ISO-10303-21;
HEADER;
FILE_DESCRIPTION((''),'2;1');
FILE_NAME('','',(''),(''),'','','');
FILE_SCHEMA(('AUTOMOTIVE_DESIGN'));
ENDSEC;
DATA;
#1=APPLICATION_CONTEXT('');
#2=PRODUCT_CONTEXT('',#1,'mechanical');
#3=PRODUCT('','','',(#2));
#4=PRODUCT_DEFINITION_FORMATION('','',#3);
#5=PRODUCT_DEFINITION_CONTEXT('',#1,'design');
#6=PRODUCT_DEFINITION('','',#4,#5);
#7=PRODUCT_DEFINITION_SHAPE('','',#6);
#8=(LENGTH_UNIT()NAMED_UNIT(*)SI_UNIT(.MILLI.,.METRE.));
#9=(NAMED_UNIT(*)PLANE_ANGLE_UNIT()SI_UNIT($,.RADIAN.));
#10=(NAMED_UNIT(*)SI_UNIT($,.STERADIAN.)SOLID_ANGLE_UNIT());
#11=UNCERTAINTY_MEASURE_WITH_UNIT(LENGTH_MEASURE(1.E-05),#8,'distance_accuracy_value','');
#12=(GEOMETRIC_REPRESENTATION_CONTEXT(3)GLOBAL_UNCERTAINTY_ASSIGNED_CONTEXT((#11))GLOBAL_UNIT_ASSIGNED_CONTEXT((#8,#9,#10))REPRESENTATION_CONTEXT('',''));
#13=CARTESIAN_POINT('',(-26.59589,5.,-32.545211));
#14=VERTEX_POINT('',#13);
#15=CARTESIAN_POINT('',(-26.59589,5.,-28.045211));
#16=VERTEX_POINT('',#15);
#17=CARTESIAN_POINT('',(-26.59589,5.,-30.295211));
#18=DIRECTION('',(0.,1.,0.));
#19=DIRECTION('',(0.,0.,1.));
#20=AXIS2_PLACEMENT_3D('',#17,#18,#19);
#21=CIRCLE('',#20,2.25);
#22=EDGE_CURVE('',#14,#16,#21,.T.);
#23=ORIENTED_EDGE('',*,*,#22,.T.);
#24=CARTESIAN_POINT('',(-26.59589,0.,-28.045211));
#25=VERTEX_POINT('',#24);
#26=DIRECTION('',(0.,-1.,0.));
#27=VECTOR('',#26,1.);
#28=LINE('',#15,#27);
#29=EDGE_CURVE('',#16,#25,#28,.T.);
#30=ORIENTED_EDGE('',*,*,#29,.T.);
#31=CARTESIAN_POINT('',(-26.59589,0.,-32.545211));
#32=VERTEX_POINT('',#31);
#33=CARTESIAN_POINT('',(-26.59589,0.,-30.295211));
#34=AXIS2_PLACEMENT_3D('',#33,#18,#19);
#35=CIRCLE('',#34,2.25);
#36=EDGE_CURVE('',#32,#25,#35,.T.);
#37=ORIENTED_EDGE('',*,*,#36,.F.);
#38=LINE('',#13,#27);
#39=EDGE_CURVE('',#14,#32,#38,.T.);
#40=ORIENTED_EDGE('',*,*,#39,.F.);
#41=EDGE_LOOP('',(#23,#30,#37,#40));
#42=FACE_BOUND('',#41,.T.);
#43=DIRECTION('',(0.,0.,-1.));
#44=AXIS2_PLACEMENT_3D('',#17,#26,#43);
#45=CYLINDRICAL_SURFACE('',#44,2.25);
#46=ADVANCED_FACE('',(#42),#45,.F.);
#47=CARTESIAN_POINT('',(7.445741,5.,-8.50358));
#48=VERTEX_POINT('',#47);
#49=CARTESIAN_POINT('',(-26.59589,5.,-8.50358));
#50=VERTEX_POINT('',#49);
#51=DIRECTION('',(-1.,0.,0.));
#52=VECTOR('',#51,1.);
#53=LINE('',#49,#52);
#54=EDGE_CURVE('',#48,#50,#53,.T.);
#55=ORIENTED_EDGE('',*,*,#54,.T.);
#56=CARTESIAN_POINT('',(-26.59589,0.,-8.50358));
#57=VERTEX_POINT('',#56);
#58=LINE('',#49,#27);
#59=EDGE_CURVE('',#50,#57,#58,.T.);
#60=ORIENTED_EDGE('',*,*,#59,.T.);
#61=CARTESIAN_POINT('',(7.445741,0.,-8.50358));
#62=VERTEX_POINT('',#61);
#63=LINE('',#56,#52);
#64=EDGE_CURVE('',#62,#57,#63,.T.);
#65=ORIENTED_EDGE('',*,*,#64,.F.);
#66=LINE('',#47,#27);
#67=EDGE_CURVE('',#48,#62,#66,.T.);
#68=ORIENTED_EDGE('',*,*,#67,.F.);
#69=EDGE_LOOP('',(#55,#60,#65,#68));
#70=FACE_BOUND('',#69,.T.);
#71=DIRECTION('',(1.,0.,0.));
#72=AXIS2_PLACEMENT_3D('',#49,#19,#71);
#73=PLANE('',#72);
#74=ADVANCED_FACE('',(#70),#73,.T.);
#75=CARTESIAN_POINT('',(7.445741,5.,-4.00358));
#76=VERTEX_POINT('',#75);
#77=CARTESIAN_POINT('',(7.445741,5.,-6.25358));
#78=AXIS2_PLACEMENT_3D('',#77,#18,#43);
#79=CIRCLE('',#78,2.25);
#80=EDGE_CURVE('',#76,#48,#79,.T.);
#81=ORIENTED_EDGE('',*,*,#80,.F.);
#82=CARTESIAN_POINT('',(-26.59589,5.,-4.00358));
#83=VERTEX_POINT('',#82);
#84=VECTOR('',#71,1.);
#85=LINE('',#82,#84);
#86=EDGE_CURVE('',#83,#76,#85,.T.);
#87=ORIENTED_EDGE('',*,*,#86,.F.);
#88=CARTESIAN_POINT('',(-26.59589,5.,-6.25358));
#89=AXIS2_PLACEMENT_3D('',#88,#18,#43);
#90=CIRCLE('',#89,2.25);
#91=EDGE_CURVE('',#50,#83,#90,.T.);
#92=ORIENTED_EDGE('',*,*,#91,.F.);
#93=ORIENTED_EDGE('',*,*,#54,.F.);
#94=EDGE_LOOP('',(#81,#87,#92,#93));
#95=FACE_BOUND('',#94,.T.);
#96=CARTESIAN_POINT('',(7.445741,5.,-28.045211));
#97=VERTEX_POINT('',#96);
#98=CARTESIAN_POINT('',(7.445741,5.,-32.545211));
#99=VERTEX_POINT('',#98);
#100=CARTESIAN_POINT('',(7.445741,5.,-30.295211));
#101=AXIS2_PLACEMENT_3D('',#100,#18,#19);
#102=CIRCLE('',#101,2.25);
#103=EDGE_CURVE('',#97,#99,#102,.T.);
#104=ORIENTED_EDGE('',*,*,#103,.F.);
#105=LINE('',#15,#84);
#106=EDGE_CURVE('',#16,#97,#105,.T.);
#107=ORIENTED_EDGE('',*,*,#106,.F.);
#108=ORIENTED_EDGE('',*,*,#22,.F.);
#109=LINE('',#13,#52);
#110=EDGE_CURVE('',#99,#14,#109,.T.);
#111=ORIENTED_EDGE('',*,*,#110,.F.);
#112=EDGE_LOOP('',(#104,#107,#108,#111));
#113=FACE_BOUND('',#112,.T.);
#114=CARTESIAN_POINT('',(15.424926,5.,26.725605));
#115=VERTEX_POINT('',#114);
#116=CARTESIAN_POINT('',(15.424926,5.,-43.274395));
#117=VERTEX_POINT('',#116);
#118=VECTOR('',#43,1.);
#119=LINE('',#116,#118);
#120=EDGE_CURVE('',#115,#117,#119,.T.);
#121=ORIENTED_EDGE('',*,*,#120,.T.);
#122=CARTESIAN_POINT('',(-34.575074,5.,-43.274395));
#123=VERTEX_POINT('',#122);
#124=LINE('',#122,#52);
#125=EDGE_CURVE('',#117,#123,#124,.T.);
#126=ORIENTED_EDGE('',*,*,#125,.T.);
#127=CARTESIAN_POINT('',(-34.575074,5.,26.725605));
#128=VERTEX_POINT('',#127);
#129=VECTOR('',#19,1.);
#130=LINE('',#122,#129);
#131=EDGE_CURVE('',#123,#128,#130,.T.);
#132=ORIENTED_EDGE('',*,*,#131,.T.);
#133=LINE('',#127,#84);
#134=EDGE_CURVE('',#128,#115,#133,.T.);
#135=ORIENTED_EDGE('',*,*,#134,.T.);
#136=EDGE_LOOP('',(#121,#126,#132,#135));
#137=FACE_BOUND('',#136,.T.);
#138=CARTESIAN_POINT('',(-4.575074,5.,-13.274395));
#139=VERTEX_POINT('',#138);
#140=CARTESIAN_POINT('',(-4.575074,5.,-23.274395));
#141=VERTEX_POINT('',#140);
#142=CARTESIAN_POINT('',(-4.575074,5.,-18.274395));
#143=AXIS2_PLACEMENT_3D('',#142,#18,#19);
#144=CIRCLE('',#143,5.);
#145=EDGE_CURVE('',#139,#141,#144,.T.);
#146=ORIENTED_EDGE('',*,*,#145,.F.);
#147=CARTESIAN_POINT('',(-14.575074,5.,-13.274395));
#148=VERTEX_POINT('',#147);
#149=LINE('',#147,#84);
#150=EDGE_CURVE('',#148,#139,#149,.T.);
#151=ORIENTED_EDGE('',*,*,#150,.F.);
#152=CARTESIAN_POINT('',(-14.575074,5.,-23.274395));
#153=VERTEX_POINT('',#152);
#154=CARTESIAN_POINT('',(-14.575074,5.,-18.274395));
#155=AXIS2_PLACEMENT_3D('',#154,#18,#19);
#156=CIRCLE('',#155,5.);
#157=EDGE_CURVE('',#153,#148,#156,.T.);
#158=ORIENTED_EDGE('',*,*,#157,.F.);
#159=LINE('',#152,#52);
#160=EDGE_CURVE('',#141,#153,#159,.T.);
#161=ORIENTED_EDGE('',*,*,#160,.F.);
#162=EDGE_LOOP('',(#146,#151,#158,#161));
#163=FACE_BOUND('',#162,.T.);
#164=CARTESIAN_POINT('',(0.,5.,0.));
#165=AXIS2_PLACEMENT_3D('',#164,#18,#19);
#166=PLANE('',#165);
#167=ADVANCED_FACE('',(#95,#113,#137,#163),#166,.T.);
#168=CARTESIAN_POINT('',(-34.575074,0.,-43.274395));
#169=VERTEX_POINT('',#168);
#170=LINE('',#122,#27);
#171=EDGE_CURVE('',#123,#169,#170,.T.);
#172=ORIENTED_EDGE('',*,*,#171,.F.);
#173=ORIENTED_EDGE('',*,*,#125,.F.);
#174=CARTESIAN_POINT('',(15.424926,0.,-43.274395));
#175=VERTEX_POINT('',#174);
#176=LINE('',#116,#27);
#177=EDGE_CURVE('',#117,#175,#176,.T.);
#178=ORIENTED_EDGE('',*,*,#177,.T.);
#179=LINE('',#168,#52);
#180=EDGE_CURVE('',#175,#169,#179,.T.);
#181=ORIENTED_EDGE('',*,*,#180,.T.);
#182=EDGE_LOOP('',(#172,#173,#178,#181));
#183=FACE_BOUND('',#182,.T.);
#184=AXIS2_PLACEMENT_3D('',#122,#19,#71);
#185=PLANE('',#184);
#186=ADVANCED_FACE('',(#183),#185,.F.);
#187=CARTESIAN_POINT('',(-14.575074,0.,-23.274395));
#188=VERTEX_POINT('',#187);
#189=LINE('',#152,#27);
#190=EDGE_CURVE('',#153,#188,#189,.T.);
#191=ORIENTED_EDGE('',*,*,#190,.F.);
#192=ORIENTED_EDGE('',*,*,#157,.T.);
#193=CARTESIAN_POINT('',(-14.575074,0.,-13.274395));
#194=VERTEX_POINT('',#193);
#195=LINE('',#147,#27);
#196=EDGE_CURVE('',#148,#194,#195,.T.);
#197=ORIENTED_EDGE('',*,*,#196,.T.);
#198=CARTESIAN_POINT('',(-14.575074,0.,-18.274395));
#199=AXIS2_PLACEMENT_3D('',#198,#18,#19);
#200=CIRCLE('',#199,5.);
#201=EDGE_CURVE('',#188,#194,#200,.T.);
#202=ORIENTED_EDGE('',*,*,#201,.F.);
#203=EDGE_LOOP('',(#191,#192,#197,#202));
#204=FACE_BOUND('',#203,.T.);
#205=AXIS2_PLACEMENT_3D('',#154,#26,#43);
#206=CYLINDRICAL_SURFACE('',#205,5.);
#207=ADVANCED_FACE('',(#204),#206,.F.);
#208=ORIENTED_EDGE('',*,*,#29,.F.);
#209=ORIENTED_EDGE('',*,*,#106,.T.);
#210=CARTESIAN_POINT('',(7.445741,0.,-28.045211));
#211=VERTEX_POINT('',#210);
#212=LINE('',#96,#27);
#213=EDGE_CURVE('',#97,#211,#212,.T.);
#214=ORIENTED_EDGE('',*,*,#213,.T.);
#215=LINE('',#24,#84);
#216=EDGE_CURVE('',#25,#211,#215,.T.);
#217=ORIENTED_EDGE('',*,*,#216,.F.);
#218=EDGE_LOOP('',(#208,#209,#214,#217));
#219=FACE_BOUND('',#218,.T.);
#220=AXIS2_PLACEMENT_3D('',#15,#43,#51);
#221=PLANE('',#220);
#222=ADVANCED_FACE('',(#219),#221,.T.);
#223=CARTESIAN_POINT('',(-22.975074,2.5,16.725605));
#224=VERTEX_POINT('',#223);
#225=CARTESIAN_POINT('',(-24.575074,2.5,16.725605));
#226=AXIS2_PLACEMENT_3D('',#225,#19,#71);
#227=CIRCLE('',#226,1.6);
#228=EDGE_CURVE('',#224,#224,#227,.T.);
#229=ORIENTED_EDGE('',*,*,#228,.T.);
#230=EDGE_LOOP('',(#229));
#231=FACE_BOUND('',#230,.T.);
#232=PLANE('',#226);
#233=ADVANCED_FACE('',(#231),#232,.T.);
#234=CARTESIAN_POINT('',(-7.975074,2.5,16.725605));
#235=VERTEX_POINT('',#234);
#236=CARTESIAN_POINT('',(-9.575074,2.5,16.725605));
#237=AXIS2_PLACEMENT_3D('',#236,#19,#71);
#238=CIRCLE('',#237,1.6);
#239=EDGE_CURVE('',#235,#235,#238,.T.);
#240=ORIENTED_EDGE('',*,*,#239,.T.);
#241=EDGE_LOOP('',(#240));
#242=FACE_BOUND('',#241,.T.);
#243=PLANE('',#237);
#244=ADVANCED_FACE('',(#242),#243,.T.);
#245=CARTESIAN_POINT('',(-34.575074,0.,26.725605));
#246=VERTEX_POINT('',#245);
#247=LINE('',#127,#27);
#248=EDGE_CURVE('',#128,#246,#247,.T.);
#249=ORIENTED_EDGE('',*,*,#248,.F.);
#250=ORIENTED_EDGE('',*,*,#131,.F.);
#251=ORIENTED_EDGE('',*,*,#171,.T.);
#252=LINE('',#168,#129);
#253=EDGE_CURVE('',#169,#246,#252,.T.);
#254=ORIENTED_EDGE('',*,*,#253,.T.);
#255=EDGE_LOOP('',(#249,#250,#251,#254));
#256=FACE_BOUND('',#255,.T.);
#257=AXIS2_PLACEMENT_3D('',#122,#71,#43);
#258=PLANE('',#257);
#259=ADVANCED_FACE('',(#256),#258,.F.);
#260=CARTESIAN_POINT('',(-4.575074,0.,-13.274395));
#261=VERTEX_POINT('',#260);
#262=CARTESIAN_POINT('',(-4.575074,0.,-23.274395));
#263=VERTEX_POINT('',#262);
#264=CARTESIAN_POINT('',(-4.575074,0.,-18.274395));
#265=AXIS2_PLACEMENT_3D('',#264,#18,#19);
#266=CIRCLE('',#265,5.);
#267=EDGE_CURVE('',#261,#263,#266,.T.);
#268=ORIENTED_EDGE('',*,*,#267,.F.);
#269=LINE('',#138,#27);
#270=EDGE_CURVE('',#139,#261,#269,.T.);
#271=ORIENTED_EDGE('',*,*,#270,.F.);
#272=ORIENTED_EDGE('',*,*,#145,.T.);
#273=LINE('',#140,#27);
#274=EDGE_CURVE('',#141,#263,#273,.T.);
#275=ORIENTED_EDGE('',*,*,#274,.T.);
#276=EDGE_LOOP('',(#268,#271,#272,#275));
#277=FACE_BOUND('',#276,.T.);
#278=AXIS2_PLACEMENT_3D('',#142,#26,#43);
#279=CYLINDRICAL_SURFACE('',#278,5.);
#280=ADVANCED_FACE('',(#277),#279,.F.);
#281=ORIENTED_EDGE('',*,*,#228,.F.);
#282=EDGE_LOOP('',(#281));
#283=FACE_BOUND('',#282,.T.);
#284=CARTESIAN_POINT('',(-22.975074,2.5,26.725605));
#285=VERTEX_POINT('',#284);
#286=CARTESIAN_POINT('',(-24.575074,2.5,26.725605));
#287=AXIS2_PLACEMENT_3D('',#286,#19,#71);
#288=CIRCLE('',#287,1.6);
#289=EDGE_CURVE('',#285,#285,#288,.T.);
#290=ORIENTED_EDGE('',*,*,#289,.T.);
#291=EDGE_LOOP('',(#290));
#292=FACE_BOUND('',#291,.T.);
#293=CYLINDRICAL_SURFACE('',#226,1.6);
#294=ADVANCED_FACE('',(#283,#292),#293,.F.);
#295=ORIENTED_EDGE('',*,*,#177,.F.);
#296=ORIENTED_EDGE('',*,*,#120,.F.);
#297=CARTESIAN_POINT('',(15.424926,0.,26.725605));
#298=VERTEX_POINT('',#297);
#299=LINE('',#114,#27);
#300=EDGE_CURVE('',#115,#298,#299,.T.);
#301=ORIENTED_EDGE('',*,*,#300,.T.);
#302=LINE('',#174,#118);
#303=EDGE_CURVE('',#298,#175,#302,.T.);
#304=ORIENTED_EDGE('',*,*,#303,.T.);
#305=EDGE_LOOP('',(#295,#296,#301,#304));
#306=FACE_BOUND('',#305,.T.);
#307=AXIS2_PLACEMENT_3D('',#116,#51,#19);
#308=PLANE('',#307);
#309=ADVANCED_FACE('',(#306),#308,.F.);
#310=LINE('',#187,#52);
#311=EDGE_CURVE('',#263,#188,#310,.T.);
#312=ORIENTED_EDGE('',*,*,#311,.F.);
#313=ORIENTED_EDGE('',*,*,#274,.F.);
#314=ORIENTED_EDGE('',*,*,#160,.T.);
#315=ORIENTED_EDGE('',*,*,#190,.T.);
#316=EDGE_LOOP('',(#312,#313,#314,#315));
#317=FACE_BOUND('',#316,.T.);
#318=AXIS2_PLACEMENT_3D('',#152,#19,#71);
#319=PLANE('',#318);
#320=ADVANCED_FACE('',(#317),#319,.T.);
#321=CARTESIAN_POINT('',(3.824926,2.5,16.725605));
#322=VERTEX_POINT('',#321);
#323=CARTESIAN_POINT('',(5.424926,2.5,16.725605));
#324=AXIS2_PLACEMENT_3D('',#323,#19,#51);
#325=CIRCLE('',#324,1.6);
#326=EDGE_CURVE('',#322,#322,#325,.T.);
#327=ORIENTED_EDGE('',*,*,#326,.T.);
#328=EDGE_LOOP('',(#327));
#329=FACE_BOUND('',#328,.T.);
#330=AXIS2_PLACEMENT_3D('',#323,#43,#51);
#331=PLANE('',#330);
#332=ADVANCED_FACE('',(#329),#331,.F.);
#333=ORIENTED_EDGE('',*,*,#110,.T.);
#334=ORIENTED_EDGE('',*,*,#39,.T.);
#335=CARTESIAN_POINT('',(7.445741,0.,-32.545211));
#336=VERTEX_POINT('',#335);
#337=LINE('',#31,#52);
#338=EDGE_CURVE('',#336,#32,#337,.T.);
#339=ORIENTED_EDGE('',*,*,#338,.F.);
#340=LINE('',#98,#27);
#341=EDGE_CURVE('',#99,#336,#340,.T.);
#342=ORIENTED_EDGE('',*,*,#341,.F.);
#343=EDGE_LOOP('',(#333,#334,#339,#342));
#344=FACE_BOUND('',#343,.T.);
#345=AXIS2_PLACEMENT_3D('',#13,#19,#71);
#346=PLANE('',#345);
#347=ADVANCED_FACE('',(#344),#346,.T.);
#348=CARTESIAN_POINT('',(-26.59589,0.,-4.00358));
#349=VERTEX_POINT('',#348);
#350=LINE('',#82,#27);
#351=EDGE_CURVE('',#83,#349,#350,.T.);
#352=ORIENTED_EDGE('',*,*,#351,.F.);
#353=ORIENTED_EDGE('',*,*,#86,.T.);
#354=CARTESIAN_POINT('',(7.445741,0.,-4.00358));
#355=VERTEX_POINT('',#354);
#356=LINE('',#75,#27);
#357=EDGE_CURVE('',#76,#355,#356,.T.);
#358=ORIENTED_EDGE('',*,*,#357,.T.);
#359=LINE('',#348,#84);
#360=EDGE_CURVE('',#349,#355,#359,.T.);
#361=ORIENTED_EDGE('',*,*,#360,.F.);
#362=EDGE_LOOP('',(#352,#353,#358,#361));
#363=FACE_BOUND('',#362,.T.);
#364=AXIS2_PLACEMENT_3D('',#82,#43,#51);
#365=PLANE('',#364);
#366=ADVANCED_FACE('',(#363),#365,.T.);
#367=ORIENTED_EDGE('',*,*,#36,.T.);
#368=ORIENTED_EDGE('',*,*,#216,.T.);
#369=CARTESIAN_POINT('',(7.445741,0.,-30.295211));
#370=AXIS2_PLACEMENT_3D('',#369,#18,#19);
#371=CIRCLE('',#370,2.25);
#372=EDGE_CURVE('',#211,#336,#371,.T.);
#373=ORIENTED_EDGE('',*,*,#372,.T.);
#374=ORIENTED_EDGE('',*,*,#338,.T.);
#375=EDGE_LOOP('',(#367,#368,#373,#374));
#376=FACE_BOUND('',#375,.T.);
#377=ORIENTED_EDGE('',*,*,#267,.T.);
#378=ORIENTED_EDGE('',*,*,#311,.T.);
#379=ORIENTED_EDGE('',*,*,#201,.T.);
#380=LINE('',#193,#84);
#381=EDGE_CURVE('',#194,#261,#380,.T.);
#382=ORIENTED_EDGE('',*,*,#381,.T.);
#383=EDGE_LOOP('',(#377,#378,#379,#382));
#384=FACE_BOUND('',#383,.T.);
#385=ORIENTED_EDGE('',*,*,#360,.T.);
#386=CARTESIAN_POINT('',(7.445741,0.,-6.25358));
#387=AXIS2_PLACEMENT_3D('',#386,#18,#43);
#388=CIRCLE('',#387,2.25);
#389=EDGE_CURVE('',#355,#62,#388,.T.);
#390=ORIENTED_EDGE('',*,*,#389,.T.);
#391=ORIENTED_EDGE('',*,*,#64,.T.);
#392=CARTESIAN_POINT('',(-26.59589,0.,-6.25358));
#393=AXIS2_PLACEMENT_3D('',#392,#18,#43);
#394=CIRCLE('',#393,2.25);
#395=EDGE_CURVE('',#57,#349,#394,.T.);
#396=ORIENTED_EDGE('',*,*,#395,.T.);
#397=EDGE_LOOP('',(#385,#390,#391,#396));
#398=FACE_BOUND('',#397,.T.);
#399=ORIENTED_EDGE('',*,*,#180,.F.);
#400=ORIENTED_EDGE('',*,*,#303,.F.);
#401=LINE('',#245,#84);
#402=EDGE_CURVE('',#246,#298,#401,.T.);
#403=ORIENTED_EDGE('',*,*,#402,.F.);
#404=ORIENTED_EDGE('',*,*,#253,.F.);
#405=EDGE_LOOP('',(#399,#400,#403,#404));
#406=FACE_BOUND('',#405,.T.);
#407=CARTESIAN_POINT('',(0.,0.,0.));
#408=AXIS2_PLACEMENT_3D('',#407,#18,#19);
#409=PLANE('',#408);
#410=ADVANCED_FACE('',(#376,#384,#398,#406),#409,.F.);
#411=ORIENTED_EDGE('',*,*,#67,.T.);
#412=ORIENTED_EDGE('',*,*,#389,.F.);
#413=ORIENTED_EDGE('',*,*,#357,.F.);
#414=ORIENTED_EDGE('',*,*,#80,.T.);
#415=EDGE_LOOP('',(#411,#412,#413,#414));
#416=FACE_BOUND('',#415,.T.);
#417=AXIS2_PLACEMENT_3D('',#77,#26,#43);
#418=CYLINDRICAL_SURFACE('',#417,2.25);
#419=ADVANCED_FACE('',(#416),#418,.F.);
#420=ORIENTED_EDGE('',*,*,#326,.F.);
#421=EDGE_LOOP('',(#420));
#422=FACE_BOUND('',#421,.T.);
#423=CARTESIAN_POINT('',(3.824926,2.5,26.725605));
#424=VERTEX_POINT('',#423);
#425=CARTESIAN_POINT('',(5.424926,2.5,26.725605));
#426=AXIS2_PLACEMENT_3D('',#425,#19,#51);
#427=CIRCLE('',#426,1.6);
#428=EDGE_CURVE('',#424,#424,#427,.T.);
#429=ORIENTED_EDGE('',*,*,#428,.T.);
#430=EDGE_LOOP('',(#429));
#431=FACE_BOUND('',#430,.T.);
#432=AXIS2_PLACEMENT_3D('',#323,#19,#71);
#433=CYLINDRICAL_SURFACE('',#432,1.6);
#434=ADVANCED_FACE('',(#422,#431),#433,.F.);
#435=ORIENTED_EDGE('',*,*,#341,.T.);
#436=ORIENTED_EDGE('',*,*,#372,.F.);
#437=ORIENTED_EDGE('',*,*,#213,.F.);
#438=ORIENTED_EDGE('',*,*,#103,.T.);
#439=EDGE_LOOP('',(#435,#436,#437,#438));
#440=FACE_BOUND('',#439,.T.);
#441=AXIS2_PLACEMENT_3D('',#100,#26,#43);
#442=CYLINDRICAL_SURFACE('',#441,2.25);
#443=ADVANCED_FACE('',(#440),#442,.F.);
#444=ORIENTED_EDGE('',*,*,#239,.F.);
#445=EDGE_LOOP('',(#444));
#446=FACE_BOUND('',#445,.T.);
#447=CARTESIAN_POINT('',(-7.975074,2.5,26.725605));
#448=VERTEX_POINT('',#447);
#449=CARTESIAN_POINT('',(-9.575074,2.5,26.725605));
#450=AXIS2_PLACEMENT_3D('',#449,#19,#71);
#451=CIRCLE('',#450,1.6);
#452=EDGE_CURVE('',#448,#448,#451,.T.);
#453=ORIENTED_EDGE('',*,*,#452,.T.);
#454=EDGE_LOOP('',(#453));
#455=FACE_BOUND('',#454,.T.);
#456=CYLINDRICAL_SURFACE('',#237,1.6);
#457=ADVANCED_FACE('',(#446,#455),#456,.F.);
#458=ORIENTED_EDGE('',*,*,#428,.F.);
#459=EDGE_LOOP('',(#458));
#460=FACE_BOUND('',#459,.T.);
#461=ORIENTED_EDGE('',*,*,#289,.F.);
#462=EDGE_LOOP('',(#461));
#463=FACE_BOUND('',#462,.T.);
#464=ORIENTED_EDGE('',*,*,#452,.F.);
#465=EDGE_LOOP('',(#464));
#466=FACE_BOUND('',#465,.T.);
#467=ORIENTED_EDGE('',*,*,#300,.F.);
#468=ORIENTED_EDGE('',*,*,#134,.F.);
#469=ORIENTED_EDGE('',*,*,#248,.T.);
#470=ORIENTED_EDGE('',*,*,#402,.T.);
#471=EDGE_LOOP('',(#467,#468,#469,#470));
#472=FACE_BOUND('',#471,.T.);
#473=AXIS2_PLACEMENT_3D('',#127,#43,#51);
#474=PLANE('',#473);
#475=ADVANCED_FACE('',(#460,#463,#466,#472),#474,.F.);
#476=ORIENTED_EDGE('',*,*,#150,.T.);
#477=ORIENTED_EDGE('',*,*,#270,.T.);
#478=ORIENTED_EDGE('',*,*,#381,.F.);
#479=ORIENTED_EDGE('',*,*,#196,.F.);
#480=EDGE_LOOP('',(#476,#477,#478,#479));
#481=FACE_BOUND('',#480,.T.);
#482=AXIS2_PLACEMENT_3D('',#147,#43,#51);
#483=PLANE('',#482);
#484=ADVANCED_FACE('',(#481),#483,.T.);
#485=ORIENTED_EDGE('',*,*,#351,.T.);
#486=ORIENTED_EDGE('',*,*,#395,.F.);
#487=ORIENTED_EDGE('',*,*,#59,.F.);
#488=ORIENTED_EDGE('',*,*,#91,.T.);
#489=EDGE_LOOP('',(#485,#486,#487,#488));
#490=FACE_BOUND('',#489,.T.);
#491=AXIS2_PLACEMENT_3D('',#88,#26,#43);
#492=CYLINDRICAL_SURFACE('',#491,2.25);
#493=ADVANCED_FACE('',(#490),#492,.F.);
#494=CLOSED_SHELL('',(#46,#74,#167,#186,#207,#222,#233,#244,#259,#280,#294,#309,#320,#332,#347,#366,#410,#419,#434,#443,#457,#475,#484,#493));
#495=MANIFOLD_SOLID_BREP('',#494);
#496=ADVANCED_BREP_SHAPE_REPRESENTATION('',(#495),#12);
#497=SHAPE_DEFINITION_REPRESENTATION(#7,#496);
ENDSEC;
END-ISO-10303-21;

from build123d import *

# Parameters (mm, degrees)
SKETCH1_W           = 50
SKETCH1_H           = 70
BOSS_EXTRUDE1_DEPTH = 5
SKETCH2_R           = 1.6
CUT_EXTRUDE1_DEPTH  = 10


with BuildPart() as part:
    # Sketch1 → Boss-Extrude1 (new body)
    with BuildSketch(Plane(origin=(0, 0, 0), x_dir=(1, 0, 0), z_dir=(0, 1, 0))):
        with Locations((-9.575074469, 8.274395374)):
            Rectangle(SKETCH1_W, SKETCH1_H)
        with BuildLine():
            Line((-26.595889749, 32.545210655), (7.445740812, 32.545210655))
            ThreePointArc((7.445740812, 32.545210655), (9.695740812, 30.295210655), (7.445740812, 28.045210655))
            Line((7.445740812, 28.045210655), (-26.595889749, 28.045210655))
            ThreePointArc((-26.595889749, 28.045210655), (-28.845889749, 30.295210655), (-26.595889749, 32.545210655))
        make_face(mode=Mode.SUBTRACT)
        with BuildLine():
            Line((-14.575074469, 23.274395374), (-4.575074469, 23.274395374))
            ThreePointArc((-4.575074469, 23.274395374), (0.424925531, 18.274395374), (-4.575074469, 13.274395374))
            Line((-4.575074469, 13.274395374), (-14.575074469, 13.274395374))
            ThreePointArc((-14.575074469, 13.274395374), (-19.575074469, 18.274395374), (-14.575074469, 23.274395374))
        make_face(mode=Mode.SUBTRACT)
        with BuildLine():
            Line((-26.595889749, 4.003580094), (7.445740812, 4.003580094))
            ThreePointArc((7.445740812, 4.003580094), (9.695740812, 6.253580094), (7.445740812, 8.503580094))
            Line((7.445740812, 8.503580094), (-26.595889749, 8.503580094))
            ThreePointArc((-26.595889749, 8.503580094), (-28.845889749, 6.253580094), (-26.595889749, 4.003580094))
        make_face(mode=Mode.SUBTRACT)
    extrude(amount=BOSS_EXTRUDE1_DEPTH)

    # Sketch2 → Cut-Extrude1 (cut)
    with BuildSketch(Plane.XY.offset(26.725604626)):
        with Locations((-9.575074469, 2.5)):
            Circle(SKETCH2_R)
        with Locations((-24.575074469, 2.5)):
            Circle(SKETCH2_R)
        with Locations((5.424925531, 2.5)):
            Circle(SKETCH2_R)
    extrude(amount=-CUT_EXTRUDE1_DEPTH, mode=Mode.SUBTRACT)


solid = part.part
